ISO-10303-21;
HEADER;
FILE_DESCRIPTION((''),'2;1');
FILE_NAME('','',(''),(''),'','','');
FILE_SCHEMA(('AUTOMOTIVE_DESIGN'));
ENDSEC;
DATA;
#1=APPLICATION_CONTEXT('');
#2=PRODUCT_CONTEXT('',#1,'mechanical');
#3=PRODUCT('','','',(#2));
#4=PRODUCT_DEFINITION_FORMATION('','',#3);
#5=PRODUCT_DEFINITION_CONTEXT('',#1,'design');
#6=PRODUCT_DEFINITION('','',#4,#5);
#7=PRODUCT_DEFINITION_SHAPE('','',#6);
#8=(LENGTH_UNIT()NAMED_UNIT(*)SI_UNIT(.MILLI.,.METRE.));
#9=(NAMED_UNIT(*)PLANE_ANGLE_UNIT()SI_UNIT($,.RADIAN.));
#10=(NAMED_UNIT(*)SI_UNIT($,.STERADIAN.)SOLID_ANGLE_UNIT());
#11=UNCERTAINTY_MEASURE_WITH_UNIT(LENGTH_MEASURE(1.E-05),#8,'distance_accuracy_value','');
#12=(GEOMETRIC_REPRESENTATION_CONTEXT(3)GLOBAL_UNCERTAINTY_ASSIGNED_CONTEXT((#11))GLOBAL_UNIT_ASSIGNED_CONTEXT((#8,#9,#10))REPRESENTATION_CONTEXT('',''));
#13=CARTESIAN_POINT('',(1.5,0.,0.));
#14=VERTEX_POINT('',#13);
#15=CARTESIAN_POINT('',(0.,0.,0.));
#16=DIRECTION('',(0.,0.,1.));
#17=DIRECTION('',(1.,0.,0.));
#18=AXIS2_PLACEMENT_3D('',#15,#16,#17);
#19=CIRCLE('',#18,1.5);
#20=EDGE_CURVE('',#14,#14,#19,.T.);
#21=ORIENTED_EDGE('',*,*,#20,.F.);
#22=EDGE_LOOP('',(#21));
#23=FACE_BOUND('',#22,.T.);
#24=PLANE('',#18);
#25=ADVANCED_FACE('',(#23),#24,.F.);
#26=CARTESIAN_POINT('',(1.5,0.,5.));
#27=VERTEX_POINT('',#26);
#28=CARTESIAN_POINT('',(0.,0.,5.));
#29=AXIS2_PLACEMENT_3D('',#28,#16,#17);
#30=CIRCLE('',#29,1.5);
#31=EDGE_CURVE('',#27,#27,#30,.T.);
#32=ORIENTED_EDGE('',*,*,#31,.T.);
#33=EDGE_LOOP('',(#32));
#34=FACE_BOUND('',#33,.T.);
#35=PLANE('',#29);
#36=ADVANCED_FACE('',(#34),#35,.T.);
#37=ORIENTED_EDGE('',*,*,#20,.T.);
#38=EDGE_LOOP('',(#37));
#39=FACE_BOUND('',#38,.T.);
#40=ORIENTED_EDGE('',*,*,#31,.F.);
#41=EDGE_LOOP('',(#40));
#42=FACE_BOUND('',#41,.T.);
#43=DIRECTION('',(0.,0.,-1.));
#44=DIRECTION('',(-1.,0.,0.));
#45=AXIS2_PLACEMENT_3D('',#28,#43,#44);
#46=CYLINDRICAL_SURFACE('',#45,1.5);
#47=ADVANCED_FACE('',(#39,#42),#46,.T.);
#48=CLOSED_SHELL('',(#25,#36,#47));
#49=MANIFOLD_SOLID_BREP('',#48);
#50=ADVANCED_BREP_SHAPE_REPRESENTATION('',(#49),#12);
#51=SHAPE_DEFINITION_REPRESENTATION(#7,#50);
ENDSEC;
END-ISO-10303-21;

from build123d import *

# Parameters (mm, degrees)
SKETCH2_R           = 1.5
BOSS_EXTRUDE2_DEPTH = 5


with BuildPart() as part:
    # Sketch2 → Boss-Extrude2 (new body)
    with BuildSketch(Plane.XY):
        Circle(SKETCH2_R)
    extrude(amount=BOSS_EXTRUDE2_DEPTH)


solid = part.part
